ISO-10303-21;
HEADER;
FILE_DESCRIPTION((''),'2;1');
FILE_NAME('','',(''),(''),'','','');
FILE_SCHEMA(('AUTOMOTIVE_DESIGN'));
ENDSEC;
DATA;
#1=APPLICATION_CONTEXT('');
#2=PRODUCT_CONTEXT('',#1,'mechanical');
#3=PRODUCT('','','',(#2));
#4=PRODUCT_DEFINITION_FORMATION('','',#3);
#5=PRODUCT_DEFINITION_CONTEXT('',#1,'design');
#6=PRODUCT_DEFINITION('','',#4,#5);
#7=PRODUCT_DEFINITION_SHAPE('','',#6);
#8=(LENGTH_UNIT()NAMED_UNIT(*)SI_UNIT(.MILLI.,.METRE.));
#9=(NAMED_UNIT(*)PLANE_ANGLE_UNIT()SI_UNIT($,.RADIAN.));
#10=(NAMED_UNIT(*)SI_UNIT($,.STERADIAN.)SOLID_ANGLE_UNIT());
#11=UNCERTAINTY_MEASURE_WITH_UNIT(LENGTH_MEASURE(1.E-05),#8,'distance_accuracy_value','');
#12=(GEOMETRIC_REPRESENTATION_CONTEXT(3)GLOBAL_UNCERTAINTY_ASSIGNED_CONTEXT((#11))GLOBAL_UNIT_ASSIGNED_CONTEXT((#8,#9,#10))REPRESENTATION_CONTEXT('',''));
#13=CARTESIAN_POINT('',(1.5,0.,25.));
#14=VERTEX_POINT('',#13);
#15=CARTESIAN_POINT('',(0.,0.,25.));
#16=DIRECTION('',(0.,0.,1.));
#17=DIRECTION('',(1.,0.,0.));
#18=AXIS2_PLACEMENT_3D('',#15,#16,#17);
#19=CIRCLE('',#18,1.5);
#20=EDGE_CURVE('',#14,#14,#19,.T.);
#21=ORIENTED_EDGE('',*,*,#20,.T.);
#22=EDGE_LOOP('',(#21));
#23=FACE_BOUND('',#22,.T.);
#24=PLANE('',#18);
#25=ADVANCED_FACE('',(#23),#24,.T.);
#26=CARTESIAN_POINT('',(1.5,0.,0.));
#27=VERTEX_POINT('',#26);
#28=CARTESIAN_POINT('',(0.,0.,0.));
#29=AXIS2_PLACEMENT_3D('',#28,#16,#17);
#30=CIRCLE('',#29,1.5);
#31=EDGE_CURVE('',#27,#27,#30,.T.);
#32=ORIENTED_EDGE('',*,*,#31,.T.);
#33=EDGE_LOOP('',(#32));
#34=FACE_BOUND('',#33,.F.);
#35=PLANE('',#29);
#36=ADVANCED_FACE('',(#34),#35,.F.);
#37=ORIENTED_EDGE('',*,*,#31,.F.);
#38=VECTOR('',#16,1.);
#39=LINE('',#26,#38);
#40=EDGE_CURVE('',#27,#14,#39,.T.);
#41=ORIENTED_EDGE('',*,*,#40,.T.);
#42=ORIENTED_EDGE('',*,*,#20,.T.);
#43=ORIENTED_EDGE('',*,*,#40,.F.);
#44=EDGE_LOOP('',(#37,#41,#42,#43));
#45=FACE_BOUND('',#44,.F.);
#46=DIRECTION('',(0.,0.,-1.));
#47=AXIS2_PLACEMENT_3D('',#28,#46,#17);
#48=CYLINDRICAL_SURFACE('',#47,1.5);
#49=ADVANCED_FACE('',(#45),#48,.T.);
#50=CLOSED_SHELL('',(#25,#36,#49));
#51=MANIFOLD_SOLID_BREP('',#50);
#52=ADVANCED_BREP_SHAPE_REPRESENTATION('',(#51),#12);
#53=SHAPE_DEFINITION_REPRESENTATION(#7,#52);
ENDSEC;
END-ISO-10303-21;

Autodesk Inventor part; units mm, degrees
ref_plane "YZ Plane" through (0, 0, 0) normal (1, 0, 0) x (0, 1, 0)
ref_plane "XZ Plane" through (0, 0, 0) normal (0, 1, 0) x (-1, 0, 0)
ref_plane "XY Plane" through (0, 0, 0) normal (0, 0, 1) x (1, 0, 0)
sketch "Sketch1" plane through (0, 0, 0) normal (0, 0, 1) x (1, 0, 0)
  circle A0 centre (0, 0) radius 1.5
  dimension "d0" = 3
extrude "Extrusion1" add sketch "Sketch1" along normal blind 25
properties part number "3mm Brass Rod" material "Brass, Soft Yellow"
